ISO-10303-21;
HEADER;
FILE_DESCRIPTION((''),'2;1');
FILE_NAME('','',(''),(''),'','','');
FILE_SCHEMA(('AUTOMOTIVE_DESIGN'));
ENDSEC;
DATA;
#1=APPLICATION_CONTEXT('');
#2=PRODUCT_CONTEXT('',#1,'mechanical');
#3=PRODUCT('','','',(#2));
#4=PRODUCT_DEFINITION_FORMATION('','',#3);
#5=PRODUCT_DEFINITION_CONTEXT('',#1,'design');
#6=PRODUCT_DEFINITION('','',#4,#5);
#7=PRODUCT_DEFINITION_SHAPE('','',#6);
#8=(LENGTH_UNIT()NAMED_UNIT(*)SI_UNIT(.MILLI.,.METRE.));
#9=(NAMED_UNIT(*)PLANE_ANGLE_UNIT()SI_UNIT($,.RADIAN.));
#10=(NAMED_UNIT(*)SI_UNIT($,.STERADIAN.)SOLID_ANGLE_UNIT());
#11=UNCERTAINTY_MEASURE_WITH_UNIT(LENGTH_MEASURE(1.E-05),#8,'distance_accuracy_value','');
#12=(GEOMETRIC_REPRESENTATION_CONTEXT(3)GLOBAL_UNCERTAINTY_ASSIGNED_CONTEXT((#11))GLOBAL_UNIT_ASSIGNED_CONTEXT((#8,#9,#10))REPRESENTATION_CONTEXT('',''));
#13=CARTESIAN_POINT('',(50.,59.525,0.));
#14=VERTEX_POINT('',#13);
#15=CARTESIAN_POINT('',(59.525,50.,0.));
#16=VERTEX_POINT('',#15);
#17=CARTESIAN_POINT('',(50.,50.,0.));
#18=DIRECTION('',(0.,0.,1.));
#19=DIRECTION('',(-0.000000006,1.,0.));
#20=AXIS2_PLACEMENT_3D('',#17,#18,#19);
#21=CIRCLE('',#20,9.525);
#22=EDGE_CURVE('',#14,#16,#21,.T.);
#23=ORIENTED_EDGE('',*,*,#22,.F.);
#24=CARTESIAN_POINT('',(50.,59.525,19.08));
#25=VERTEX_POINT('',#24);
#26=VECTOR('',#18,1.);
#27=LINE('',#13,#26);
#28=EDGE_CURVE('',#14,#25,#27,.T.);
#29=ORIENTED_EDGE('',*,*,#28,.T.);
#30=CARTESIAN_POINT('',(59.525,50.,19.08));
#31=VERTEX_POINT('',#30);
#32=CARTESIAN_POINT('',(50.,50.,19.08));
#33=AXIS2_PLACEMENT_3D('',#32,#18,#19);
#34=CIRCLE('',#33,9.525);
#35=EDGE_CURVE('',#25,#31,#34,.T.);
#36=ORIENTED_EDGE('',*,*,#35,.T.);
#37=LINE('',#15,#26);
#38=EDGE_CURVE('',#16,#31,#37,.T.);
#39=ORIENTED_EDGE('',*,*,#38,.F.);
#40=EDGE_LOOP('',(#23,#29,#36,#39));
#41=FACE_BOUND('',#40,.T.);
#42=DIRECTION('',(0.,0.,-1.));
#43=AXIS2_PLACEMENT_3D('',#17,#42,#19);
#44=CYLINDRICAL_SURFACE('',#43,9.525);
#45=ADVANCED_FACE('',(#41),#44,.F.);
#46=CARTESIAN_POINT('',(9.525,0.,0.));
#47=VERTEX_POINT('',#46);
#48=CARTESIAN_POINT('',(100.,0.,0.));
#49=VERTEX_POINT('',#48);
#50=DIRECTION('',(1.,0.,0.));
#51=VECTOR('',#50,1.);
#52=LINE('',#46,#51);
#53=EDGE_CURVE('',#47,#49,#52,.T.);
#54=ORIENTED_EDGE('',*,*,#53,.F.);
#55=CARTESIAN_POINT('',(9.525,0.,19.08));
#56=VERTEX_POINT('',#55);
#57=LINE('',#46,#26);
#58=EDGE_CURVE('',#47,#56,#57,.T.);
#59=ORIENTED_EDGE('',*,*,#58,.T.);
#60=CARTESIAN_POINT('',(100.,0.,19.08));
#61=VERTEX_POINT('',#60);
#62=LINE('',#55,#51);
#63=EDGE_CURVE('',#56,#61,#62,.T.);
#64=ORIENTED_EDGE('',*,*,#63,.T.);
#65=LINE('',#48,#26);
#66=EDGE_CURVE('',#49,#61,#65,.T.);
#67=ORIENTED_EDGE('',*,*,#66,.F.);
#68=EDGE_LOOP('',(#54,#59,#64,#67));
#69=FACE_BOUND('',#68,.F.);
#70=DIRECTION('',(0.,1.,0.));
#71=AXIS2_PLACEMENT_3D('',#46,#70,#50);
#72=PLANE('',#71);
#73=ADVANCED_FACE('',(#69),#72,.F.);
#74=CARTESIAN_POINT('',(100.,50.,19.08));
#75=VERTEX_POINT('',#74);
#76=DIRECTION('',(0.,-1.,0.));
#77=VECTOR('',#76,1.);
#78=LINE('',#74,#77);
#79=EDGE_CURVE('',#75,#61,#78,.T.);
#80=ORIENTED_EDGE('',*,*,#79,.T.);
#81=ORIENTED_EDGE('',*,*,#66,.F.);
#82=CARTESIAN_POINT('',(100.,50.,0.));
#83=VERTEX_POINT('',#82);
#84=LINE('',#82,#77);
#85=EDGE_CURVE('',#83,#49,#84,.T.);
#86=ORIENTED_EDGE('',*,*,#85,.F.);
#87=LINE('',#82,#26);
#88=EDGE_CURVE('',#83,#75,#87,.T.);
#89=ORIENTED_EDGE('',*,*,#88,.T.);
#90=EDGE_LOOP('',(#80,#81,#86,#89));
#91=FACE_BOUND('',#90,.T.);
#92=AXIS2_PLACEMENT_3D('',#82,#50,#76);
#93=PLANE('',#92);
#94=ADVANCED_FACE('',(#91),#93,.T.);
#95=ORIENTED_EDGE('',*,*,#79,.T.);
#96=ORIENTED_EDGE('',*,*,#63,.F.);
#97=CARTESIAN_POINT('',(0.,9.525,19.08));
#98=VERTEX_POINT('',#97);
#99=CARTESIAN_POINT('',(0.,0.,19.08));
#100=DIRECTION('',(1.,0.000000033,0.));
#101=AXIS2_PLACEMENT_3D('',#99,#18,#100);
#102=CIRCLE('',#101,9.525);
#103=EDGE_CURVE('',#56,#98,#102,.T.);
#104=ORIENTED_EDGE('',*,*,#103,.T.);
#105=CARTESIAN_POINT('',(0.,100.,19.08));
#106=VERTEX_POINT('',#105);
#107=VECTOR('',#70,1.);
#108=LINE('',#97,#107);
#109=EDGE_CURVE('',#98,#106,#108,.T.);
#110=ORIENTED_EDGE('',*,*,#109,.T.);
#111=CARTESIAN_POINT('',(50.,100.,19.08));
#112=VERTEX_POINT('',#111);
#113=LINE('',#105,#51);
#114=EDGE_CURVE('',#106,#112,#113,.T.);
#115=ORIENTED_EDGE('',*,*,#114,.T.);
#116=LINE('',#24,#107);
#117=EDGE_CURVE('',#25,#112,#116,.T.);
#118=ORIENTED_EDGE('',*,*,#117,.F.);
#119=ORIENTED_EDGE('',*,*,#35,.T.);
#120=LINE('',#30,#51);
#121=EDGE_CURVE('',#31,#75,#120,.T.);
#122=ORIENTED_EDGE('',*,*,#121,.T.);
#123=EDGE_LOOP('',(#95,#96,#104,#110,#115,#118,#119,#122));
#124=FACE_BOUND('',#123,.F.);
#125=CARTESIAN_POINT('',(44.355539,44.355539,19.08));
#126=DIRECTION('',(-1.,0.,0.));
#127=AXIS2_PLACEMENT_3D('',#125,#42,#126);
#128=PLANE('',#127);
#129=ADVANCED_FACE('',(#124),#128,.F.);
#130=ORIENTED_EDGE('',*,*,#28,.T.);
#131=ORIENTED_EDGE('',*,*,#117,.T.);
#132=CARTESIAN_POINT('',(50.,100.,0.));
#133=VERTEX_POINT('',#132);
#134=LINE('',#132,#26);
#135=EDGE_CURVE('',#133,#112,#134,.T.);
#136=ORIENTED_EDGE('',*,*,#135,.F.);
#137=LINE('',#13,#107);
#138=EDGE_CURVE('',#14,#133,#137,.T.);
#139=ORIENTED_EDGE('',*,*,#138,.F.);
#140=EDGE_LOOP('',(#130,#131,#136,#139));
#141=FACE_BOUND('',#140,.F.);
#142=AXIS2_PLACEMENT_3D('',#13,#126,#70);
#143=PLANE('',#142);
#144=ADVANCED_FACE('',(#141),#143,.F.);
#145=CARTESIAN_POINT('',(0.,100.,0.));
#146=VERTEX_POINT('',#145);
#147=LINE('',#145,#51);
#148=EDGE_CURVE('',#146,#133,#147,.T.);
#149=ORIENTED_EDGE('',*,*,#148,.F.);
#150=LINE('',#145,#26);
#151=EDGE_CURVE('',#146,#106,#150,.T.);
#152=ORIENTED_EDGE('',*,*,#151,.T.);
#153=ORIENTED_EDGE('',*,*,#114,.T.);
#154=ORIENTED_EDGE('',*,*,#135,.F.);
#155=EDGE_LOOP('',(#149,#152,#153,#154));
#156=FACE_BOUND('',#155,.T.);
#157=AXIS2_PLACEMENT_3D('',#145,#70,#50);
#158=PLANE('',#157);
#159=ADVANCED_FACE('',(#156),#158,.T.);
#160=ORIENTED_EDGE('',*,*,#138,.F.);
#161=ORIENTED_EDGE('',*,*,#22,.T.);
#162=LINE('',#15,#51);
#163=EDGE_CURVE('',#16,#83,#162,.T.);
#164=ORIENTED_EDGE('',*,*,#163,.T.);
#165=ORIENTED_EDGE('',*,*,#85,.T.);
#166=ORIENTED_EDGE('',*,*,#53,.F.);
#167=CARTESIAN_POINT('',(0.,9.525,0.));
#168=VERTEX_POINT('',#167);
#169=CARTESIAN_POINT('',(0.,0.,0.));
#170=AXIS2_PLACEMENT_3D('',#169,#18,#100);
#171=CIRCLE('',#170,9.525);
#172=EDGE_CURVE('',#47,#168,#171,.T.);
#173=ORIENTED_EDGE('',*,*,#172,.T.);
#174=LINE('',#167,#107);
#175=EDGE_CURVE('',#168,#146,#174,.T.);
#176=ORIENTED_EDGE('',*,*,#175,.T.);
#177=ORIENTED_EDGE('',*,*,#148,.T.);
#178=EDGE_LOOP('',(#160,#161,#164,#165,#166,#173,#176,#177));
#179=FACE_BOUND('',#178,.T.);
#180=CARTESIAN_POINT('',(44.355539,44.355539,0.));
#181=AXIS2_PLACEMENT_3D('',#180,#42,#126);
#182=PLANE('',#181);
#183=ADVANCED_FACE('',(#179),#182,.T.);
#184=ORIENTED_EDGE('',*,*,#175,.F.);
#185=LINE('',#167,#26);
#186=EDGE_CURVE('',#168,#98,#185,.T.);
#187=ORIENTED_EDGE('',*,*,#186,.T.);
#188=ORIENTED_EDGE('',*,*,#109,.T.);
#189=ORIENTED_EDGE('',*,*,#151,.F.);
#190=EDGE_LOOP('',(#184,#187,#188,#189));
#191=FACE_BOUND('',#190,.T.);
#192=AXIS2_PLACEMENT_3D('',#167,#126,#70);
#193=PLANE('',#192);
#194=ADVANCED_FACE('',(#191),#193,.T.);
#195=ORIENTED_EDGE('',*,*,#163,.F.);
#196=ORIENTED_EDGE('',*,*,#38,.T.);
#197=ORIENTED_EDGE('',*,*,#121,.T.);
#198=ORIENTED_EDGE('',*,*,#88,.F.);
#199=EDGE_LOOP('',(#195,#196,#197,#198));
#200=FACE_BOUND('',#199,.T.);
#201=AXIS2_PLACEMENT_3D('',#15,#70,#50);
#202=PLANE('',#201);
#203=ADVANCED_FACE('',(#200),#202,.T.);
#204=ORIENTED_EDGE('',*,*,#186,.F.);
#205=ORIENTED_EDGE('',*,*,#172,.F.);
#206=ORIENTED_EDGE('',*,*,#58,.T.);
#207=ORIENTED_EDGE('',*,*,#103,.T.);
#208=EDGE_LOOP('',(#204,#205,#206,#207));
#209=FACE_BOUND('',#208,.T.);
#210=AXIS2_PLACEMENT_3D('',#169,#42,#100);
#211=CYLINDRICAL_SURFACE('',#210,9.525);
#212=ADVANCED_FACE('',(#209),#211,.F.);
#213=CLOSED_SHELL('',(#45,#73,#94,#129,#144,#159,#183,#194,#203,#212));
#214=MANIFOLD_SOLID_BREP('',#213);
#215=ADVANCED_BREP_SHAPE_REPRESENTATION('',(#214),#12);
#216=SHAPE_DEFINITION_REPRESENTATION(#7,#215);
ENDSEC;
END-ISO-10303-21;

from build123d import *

# Parameters (mm, degrees)
PAD_DEPTH = 19.08


with BuildPart() as part:
    # Sketch → Pad (new body)
    with BuildSketch(Plane.XY):
        with BuildLine():
            Line((0, 100), (50, 100))
            Line((50, 59.525), (50, 100))
            ThreePointArc((50, 59.525), (43.264808, 43.264808), (59.525, 50))
            Line((59.525, 50), (100, 50))
            Line((100, 50), (100, 0))
            Line((9.525, 0), (100, 0))
            ThreePointArc((9.525, 0), (6.735192, 6.735192), (0, 9.525))
            Line((0, 9.525), (0, 100))
        make_face()
    extrude(amount=PAD_DEPTH)


solid = part.part
